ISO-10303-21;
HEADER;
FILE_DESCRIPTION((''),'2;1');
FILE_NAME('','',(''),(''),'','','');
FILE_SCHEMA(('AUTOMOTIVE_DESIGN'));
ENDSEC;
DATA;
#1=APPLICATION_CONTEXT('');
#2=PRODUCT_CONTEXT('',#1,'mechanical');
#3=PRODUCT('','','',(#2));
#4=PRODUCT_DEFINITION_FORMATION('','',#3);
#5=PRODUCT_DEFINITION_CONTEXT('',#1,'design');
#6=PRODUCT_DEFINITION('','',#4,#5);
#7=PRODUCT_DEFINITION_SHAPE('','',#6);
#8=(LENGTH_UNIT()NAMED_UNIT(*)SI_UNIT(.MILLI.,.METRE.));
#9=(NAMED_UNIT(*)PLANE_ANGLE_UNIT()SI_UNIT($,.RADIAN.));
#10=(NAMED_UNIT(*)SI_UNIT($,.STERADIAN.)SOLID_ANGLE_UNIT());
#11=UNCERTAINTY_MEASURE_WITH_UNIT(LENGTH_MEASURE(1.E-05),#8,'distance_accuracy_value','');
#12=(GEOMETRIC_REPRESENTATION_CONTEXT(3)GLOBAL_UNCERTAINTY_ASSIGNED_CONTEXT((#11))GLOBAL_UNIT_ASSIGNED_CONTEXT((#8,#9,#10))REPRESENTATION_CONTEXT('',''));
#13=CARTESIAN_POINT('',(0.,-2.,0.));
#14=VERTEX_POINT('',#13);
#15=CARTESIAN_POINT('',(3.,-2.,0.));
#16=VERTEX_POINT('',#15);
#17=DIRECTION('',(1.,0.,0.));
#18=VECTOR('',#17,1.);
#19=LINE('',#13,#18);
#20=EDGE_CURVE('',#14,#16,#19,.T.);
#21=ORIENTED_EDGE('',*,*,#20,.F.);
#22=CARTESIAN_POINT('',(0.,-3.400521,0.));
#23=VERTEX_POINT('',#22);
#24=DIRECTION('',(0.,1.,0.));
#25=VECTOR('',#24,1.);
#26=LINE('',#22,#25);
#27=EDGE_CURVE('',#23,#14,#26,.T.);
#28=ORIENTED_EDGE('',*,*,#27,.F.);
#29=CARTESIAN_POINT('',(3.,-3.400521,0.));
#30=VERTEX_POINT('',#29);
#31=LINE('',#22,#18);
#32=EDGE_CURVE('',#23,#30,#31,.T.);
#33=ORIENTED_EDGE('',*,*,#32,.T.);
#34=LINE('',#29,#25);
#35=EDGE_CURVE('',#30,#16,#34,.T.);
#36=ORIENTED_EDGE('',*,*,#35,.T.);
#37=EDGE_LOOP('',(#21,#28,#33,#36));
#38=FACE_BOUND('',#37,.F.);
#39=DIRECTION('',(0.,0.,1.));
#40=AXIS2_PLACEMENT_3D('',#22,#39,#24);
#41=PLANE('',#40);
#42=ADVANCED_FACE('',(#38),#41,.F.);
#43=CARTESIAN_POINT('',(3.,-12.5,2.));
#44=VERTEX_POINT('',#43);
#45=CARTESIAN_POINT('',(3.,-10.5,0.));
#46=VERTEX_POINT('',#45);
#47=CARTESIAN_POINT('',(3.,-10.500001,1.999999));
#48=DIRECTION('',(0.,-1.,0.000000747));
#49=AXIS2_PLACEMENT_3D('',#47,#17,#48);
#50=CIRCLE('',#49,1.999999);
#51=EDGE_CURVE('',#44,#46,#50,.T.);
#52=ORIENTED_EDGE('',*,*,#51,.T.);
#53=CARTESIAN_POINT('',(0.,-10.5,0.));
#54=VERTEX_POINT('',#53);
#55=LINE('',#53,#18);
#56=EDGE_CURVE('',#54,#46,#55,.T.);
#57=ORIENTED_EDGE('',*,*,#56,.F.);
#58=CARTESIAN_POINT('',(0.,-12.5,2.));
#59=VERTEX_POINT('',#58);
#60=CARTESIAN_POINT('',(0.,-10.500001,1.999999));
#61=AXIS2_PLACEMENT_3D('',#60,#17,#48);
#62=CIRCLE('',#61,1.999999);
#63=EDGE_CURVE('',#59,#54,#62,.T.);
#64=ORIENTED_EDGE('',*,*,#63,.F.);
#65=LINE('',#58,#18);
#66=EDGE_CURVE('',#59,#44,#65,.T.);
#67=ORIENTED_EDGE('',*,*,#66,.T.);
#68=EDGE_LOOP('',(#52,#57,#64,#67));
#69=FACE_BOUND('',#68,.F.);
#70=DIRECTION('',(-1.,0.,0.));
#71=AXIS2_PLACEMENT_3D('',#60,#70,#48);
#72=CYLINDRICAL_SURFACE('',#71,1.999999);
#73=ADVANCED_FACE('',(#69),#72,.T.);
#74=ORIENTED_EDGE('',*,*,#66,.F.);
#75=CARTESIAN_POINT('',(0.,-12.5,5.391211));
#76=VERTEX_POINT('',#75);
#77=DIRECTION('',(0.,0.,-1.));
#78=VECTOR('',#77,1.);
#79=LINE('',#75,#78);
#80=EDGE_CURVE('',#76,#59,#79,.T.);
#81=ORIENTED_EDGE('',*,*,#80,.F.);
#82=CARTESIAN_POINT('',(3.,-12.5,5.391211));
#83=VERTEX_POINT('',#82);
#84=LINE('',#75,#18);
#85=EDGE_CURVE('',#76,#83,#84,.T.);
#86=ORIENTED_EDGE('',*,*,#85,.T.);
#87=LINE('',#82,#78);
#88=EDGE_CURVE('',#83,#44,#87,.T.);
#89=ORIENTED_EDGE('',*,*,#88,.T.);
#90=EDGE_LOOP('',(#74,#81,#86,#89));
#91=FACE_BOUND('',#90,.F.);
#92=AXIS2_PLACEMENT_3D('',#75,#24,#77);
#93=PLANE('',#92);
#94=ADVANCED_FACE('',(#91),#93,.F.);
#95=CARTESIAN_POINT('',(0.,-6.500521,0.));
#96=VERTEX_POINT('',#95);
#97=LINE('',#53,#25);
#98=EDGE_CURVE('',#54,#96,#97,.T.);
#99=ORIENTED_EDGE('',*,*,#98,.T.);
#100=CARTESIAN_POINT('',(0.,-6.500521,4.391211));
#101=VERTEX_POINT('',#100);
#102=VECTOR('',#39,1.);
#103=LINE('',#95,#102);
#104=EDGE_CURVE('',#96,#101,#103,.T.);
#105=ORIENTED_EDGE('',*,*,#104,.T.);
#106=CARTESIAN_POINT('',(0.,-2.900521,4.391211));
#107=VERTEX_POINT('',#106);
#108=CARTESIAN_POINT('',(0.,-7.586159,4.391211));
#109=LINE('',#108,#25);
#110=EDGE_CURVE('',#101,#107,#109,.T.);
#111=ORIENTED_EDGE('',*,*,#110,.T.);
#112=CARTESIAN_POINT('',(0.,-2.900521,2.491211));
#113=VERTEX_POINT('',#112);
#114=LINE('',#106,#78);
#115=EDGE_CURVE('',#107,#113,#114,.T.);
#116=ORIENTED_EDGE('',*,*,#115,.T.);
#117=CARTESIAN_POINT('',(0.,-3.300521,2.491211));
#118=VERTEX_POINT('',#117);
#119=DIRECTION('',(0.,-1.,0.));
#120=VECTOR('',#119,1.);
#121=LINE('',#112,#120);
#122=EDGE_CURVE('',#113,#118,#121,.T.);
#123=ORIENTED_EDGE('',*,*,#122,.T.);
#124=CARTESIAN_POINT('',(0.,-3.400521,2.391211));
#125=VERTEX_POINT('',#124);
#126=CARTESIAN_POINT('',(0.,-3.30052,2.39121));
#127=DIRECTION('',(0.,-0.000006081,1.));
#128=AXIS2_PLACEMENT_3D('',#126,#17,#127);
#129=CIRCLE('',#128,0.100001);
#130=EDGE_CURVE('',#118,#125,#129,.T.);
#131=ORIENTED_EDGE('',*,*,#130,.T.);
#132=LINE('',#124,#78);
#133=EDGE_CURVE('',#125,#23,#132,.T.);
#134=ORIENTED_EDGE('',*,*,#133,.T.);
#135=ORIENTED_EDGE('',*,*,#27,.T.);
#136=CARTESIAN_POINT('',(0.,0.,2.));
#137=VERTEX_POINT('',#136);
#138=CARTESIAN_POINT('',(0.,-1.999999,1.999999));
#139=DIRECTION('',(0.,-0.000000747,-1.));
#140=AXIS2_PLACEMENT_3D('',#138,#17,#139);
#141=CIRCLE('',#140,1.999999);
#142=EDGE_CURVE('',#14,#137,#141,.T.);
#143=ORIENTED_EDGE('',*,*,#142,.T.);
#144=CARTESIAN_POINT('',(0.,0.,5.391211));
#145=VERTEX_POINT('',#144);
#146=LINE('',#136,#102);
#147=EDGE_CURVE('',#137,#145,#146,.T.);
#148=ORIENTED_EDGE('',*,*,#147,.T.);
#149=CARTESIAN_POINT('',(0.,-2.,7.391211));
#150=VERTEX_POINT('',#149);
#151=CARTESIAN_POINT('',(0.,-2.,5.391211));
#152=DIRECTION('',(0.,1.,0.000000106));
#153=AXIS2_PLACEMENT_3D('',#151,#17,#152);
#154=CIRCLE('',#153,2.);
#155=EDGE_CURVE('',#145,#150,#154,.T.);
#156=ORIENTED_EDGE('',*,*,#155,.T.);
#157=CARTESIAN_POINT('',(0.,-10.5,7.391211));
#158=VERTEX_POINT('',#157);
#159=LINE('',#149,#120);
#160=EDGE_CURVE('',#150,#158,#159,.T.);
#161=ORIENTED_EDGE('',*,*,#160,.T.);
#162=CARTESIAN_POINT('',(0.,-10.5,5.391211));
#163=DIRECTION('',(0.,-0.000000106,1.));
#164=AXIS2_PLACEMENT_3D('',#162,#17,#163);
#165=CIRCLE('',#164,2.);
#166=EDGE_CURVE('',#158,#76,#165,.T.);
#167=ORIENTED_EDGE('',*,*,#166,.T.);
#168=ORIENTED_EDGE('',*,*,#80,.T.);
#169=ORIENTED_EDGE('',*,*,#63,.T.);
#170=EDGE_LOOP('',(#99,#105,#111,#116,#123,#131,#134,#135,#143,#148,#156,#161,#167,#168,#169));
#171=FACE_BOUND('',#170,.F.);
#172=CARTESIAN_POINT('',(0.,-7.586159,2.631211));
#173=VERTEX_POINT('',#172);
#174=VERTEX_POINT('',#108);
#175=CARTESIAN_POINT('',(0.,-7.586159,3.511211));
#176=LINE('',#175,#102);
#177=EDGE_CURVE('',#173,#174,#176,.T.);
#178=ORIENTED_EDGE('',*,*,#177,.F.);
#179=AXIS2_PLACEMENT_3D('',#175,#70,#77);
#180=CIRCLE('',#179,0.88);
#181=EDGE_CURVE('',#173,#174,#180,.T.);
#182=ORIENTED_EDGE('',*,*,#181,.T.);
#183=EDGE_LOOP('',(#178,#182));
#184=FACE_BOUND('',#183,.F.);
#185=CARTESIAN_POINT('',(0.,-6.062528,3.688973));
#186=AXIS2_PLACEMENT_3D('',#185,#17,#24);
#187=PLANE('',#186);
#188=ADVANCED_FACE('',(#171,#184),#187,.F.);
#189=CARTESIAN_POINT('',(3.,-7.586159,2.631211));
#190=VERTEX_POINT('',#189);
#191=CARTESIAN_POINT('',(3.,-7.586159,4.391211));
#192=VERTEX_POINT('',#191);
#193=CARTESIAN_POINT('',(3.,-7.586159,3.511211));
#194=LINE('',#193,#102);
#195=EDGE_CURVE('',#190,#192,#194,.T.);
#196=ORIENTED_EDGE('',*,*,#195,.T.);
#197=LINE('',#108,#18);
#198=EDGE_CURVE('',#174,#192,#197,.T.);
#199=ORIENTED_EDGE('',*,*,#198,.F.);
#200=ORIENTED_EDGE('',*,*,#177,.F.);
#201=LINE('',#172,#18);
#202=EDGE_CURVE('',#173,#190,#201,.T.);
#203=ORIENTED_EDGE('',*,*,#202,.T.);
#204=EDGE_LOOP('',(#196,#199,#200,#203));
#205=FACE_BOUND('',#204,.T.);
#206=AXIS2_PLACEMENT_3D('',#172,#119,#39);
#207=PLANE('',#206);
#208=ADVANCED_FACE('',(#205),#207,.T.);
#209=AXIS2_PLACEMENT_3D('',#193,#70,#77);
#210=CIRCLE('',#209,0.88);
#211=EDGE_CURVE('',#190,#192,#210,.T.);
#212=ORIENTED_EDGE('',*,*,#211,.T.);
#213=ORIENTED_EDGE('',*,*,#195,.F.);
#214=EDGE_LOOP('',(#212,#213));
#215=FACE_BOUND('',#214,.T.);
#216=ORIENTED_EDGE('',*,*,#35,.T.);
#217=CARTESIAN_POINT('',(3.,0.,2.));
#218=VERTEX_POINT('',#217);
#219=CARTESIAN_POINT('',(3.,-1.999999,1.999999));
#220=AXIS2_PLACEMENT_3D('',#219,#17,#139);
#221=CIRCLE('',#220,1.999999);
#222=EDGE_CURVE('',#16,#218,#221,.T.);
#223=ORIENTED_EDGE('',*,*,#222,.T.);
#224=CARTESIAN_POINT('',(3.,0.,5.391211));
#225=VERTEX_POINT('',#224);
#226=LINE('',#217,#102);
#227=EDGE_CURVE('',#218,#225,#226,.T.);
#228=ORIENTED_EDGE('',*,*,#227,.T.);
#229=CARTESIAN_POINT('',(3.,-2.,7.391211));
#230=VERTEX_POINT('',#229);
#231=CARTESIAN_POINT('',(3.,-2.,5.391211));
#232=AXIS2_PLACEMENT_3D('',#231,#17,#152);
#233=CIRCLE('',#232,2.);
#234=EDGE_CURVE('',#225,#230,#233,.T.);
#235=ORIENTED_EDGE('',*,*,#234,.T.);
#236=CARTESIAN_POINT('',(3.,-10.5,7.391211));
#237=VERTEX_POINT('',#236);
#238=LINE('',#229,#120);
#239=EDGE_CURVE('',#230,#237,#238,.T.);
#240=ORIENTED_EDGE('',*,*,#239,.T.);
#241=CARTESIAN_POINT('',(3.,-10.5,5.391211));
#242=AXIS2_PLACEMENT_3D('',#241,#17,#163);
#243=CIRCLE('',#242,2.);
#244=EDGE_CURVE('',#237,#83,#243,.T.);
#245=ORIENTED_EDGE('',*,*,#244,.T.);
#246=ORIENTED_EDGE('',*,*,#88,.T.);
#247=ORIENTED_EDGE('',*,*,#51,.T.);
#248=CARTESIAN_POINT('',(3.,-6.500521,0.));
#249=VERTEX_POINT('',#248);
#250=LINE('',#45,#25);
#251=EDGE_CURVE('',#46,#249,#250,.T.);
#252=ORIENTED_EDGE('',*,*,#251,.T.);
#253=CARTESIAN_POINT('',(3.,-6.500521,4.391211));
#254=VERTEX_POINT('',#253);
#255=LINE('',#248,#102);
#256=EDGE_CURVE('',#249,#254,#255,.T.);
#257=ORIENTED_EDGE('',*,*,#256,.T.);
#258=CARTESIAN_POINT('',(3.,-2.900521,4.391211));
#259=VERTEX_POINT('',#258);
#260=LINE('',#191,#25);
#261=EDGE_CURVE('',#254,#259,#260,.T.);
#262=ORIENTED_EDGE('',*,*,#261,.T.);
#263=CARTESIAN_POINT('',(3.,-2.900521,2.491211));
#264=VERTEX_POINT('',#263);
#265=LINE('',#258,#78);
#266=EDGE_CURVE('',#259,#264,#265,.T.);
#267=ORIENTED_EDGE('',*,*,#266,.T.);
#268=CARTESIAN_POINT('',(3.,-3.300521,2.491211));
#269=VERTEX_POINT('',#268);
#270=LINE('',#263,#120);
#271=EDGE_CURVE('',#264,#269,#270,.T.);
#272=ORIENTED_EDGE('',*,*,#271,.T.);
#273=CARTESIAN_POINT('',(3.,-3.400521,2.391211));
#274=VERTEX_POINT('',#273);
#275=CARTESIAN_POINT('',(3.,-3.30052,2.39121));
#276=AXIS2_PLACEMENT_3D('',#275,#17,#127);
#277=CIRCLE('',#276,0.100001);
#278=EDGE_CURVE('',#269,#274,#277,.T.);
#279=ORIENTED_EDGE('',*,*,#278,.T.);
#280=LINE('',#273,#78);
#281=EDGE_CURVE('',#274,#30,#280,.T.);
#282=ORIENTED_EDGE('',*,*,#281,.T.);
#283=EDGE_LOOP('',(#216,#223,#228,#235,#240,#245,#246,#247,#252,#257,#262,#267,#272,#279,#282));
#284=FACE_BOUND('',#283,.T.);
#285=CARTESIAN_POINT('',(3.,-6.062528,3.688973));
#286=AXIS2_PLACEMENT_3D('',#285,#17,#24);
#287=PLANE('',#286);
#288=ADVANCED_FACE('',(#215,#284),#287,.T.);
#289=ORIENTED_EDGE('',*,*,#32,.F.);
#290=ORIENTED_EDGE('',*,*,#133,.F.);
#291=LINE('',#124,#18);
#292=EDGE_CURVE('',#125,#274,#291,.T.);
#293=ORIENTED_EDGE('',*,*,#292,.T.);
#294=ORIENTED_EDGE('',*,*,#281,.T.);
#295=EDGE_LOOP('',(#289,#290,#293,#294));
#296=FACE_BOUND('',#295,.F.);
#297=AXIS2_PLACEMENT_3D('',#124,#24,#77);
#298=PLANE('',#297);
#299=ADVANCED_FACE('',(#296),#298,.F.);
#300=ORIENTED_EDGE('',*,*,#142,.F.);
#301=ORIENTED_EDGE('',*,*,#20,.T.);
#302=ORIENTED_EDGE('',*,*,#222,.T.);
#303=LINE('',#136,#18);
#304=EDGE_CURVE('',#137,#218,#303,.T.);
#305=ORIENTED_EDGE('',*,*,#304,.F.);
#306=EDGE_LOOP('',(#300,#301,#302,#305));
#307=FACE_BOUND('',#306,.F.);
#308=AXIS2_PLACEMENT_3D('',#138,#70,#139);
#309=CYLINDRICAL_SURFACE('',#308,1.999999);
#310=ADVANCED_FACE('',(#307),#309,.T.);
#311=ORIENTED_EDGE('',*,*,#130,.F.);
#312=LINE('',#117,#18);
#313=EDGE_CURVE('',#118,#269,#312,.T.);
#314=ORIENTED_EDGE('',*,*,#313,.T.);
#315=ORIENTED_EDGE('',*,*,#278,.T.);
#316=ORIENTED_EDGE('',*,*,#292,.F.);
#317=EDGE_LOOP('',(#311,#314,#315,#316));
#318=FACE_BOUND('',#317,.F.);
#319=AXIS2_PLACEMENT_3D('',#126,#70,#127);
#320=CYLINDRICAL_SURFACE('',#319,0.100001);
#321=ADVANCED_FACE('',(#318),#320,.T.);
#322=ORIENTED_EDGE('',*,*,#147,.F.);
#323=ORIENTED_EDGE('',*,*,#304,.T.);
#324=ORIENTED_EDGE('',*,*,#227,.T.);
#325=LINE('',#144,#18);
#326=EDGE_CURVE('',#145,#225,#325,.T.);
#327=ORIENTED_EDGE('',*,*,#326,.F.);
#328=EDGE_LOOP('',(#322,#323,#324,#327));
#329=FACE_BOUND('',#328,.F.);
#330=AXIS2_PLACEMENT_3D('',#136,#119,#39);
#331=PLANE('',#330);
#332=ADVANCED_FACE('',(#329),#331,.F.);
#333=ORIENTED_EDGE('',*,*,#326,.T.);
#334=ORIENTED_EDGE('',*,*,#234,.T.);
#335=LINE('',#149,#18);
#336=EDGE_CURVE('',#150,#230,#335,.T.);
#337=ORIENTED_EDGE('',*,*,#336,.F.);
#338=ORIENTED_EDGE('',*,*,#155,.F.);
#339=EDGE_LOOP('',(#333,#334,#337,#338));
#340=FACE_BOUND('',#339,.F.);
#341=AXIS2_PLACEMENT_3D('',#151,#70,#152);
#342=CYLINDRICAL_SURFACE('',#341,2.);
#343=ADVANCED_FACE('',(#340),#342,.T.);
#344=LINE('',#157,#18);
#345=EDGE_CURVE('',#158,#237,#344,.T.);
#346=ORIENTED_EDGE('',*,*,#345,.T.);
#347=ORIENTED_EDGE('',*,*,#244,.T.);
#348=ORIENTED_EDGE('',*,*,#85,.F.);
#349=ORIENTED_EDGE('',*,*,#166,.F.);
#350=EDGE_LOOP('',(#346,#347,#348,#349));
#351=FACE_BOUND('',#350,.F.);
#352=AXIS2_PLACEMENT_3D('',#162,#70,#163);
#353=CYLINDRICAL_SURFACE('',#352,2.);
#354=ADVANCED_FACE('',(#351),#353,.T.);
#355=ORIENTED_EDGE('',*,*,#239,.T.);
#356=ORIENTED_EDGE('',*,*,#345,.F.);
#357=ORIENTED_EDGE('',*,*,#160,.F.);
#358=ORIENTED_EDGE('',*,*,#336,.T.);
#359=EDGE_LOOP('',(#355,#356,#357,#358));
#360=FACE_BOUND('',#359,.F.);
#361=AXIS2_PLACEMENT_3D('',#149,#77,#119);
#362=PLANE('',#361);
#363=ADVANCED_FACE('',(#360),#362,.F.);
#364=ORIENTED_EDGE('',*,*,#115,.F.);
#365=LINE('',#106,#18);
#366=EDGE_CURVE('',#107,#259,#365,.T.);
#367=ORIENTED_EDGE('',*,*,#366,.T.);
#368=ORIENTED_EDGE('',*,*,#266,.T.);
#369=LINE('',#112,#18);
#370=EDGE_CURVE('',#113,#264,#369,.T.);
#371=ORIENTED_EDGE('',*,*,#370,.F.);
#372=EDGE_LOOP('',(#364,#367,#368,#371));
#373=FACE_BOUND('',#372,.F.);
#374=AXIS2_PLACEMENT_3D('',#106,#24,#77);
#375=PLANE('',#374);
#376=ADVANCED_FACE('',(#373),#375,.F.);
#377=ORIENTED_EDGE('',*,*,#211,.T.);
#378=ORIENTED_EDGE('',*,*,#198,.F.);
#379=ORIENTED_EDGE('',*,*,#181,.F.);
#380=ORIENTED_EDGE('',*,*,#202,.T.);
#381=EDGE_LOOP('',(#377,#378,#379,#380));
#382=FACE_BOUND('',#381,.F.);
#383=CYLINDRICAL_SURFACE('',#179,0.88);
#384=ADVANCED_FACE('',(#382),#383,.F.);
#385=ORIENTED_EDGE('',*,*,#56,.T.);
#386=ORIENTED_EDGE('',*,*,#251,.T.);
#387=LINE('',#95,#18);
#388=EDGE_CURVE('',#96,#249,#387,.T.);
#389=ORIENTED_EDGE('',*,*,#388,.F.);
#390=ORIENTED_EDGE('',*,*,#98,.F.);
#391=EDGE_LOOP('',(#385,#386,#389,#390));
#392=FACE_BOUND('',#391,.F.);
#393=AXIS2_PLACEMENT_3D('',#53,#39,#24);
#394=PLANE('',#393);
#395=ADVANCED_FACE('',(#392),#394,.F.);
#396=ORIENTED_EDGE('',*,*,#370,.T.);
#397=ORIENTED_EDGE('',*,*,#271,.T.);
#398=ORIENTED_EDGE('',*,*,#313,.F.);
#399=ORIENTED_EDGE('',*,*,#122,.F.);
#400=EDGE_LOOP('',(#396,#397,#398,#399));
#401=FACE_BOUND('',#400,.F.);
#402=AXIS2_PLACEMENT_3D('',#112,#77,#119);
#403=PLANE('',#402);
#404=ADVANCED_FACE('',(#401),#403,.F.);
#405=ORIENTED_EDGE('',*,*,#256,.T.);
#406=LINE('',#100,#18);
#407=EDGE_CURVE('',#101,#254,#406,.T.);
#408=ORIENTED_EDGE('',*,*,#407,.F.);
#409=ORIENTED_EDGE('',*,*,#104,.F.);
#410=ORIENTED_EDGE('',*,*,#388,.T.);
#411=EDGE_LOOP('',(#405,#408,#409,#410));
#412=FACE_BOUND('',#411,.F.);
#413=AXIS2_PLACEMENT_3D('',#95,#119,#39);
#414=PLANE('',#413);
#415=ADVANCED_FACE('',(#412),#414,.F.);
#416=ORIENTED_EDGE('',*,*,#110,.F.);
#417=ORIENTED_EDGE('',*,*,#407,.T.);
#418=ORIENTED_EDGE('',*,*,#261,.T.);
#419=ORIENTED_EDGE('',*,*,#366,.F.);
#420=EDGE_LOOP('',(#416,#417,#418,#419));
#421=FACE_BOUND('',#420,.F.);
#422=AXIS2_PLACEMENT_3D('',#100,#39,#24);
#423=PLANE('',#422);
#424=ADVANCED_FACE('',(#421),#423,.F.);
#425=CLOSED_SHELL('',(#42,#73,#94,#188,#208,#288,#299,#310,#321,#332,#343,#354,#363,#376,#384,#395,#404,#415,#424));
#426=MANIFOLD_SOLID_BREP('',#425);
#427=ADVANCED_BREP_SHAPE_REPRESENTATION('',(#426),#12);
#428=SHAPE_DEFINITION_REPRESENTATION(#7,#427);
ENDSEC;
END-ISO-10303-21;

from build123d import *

# Parameters (mm, degrees)
F0_W     = 1.085638
F0_H     = 1.76
F1_DEPTH = 3


with BuildPart() as f1:
    # F0 (on Right) → F1 (new body)
    with BuildSketch(Plane.YZ):
        with BuildLine():
            ThreePointArc((-2, 0), (-0.585786, 0.585786), (0, 2))
            Line((0, 2), (0, 5.391211))
            ThreePointArc((0, 5.391211), (-0.585786, 6.805424), (-2, 7.391211))
            Line((-2, 7.391211), (-10.5, 7.391211))
            ThreePointArc((-10.5, 7.391211), (-11.914214, 6.805424), (-12.5, 5.391211))
            Line((-12.5, 5.391211), (-12.5, 2))
            ThreePointArc((-12.5, 2), (-11.914214, 0.585786), (-10.5, 0))
            Line((-10.5, 0), (-6.500521, 0))
            Line((-6.500521, 0), (-6.500521, 2.631211))
            Line((-6.500521, 2.631211), (-7.586159, 2.631211))
            ThreePointArc((-7.586159, 2.631211), (-8.466159, 3.511211), (-7.586159, 4.391211))
            Line((-7.586159, 4.391211), (-6.500521, 4.391211))
            Line((-6.500521, 4.391211), (-2.900521, 4.391211))
            Line((-2.900521, 4.391211), (-2.900521, 2.491211))
            Line((-2.900521, 2.491211), (-3.300521, 2.491211))
            ThreePointArc((-3.300521, 2.491211), (-3.371232, 2.461921), (-3.400521, 2.391211))
            Line((-3.400521, 2.391211), (-3.400521, 0))
            Line((-3.400521, 0), (-2.900521, 0))
            Line((-2.900521, 0), (-2, 0))
        make_face()
        with Locations((-7.04334, 3.511211)):
            Rectangle(F0_W, F0_H)
    extrude(amount=F1_DEPTH)


solid = f1.part
